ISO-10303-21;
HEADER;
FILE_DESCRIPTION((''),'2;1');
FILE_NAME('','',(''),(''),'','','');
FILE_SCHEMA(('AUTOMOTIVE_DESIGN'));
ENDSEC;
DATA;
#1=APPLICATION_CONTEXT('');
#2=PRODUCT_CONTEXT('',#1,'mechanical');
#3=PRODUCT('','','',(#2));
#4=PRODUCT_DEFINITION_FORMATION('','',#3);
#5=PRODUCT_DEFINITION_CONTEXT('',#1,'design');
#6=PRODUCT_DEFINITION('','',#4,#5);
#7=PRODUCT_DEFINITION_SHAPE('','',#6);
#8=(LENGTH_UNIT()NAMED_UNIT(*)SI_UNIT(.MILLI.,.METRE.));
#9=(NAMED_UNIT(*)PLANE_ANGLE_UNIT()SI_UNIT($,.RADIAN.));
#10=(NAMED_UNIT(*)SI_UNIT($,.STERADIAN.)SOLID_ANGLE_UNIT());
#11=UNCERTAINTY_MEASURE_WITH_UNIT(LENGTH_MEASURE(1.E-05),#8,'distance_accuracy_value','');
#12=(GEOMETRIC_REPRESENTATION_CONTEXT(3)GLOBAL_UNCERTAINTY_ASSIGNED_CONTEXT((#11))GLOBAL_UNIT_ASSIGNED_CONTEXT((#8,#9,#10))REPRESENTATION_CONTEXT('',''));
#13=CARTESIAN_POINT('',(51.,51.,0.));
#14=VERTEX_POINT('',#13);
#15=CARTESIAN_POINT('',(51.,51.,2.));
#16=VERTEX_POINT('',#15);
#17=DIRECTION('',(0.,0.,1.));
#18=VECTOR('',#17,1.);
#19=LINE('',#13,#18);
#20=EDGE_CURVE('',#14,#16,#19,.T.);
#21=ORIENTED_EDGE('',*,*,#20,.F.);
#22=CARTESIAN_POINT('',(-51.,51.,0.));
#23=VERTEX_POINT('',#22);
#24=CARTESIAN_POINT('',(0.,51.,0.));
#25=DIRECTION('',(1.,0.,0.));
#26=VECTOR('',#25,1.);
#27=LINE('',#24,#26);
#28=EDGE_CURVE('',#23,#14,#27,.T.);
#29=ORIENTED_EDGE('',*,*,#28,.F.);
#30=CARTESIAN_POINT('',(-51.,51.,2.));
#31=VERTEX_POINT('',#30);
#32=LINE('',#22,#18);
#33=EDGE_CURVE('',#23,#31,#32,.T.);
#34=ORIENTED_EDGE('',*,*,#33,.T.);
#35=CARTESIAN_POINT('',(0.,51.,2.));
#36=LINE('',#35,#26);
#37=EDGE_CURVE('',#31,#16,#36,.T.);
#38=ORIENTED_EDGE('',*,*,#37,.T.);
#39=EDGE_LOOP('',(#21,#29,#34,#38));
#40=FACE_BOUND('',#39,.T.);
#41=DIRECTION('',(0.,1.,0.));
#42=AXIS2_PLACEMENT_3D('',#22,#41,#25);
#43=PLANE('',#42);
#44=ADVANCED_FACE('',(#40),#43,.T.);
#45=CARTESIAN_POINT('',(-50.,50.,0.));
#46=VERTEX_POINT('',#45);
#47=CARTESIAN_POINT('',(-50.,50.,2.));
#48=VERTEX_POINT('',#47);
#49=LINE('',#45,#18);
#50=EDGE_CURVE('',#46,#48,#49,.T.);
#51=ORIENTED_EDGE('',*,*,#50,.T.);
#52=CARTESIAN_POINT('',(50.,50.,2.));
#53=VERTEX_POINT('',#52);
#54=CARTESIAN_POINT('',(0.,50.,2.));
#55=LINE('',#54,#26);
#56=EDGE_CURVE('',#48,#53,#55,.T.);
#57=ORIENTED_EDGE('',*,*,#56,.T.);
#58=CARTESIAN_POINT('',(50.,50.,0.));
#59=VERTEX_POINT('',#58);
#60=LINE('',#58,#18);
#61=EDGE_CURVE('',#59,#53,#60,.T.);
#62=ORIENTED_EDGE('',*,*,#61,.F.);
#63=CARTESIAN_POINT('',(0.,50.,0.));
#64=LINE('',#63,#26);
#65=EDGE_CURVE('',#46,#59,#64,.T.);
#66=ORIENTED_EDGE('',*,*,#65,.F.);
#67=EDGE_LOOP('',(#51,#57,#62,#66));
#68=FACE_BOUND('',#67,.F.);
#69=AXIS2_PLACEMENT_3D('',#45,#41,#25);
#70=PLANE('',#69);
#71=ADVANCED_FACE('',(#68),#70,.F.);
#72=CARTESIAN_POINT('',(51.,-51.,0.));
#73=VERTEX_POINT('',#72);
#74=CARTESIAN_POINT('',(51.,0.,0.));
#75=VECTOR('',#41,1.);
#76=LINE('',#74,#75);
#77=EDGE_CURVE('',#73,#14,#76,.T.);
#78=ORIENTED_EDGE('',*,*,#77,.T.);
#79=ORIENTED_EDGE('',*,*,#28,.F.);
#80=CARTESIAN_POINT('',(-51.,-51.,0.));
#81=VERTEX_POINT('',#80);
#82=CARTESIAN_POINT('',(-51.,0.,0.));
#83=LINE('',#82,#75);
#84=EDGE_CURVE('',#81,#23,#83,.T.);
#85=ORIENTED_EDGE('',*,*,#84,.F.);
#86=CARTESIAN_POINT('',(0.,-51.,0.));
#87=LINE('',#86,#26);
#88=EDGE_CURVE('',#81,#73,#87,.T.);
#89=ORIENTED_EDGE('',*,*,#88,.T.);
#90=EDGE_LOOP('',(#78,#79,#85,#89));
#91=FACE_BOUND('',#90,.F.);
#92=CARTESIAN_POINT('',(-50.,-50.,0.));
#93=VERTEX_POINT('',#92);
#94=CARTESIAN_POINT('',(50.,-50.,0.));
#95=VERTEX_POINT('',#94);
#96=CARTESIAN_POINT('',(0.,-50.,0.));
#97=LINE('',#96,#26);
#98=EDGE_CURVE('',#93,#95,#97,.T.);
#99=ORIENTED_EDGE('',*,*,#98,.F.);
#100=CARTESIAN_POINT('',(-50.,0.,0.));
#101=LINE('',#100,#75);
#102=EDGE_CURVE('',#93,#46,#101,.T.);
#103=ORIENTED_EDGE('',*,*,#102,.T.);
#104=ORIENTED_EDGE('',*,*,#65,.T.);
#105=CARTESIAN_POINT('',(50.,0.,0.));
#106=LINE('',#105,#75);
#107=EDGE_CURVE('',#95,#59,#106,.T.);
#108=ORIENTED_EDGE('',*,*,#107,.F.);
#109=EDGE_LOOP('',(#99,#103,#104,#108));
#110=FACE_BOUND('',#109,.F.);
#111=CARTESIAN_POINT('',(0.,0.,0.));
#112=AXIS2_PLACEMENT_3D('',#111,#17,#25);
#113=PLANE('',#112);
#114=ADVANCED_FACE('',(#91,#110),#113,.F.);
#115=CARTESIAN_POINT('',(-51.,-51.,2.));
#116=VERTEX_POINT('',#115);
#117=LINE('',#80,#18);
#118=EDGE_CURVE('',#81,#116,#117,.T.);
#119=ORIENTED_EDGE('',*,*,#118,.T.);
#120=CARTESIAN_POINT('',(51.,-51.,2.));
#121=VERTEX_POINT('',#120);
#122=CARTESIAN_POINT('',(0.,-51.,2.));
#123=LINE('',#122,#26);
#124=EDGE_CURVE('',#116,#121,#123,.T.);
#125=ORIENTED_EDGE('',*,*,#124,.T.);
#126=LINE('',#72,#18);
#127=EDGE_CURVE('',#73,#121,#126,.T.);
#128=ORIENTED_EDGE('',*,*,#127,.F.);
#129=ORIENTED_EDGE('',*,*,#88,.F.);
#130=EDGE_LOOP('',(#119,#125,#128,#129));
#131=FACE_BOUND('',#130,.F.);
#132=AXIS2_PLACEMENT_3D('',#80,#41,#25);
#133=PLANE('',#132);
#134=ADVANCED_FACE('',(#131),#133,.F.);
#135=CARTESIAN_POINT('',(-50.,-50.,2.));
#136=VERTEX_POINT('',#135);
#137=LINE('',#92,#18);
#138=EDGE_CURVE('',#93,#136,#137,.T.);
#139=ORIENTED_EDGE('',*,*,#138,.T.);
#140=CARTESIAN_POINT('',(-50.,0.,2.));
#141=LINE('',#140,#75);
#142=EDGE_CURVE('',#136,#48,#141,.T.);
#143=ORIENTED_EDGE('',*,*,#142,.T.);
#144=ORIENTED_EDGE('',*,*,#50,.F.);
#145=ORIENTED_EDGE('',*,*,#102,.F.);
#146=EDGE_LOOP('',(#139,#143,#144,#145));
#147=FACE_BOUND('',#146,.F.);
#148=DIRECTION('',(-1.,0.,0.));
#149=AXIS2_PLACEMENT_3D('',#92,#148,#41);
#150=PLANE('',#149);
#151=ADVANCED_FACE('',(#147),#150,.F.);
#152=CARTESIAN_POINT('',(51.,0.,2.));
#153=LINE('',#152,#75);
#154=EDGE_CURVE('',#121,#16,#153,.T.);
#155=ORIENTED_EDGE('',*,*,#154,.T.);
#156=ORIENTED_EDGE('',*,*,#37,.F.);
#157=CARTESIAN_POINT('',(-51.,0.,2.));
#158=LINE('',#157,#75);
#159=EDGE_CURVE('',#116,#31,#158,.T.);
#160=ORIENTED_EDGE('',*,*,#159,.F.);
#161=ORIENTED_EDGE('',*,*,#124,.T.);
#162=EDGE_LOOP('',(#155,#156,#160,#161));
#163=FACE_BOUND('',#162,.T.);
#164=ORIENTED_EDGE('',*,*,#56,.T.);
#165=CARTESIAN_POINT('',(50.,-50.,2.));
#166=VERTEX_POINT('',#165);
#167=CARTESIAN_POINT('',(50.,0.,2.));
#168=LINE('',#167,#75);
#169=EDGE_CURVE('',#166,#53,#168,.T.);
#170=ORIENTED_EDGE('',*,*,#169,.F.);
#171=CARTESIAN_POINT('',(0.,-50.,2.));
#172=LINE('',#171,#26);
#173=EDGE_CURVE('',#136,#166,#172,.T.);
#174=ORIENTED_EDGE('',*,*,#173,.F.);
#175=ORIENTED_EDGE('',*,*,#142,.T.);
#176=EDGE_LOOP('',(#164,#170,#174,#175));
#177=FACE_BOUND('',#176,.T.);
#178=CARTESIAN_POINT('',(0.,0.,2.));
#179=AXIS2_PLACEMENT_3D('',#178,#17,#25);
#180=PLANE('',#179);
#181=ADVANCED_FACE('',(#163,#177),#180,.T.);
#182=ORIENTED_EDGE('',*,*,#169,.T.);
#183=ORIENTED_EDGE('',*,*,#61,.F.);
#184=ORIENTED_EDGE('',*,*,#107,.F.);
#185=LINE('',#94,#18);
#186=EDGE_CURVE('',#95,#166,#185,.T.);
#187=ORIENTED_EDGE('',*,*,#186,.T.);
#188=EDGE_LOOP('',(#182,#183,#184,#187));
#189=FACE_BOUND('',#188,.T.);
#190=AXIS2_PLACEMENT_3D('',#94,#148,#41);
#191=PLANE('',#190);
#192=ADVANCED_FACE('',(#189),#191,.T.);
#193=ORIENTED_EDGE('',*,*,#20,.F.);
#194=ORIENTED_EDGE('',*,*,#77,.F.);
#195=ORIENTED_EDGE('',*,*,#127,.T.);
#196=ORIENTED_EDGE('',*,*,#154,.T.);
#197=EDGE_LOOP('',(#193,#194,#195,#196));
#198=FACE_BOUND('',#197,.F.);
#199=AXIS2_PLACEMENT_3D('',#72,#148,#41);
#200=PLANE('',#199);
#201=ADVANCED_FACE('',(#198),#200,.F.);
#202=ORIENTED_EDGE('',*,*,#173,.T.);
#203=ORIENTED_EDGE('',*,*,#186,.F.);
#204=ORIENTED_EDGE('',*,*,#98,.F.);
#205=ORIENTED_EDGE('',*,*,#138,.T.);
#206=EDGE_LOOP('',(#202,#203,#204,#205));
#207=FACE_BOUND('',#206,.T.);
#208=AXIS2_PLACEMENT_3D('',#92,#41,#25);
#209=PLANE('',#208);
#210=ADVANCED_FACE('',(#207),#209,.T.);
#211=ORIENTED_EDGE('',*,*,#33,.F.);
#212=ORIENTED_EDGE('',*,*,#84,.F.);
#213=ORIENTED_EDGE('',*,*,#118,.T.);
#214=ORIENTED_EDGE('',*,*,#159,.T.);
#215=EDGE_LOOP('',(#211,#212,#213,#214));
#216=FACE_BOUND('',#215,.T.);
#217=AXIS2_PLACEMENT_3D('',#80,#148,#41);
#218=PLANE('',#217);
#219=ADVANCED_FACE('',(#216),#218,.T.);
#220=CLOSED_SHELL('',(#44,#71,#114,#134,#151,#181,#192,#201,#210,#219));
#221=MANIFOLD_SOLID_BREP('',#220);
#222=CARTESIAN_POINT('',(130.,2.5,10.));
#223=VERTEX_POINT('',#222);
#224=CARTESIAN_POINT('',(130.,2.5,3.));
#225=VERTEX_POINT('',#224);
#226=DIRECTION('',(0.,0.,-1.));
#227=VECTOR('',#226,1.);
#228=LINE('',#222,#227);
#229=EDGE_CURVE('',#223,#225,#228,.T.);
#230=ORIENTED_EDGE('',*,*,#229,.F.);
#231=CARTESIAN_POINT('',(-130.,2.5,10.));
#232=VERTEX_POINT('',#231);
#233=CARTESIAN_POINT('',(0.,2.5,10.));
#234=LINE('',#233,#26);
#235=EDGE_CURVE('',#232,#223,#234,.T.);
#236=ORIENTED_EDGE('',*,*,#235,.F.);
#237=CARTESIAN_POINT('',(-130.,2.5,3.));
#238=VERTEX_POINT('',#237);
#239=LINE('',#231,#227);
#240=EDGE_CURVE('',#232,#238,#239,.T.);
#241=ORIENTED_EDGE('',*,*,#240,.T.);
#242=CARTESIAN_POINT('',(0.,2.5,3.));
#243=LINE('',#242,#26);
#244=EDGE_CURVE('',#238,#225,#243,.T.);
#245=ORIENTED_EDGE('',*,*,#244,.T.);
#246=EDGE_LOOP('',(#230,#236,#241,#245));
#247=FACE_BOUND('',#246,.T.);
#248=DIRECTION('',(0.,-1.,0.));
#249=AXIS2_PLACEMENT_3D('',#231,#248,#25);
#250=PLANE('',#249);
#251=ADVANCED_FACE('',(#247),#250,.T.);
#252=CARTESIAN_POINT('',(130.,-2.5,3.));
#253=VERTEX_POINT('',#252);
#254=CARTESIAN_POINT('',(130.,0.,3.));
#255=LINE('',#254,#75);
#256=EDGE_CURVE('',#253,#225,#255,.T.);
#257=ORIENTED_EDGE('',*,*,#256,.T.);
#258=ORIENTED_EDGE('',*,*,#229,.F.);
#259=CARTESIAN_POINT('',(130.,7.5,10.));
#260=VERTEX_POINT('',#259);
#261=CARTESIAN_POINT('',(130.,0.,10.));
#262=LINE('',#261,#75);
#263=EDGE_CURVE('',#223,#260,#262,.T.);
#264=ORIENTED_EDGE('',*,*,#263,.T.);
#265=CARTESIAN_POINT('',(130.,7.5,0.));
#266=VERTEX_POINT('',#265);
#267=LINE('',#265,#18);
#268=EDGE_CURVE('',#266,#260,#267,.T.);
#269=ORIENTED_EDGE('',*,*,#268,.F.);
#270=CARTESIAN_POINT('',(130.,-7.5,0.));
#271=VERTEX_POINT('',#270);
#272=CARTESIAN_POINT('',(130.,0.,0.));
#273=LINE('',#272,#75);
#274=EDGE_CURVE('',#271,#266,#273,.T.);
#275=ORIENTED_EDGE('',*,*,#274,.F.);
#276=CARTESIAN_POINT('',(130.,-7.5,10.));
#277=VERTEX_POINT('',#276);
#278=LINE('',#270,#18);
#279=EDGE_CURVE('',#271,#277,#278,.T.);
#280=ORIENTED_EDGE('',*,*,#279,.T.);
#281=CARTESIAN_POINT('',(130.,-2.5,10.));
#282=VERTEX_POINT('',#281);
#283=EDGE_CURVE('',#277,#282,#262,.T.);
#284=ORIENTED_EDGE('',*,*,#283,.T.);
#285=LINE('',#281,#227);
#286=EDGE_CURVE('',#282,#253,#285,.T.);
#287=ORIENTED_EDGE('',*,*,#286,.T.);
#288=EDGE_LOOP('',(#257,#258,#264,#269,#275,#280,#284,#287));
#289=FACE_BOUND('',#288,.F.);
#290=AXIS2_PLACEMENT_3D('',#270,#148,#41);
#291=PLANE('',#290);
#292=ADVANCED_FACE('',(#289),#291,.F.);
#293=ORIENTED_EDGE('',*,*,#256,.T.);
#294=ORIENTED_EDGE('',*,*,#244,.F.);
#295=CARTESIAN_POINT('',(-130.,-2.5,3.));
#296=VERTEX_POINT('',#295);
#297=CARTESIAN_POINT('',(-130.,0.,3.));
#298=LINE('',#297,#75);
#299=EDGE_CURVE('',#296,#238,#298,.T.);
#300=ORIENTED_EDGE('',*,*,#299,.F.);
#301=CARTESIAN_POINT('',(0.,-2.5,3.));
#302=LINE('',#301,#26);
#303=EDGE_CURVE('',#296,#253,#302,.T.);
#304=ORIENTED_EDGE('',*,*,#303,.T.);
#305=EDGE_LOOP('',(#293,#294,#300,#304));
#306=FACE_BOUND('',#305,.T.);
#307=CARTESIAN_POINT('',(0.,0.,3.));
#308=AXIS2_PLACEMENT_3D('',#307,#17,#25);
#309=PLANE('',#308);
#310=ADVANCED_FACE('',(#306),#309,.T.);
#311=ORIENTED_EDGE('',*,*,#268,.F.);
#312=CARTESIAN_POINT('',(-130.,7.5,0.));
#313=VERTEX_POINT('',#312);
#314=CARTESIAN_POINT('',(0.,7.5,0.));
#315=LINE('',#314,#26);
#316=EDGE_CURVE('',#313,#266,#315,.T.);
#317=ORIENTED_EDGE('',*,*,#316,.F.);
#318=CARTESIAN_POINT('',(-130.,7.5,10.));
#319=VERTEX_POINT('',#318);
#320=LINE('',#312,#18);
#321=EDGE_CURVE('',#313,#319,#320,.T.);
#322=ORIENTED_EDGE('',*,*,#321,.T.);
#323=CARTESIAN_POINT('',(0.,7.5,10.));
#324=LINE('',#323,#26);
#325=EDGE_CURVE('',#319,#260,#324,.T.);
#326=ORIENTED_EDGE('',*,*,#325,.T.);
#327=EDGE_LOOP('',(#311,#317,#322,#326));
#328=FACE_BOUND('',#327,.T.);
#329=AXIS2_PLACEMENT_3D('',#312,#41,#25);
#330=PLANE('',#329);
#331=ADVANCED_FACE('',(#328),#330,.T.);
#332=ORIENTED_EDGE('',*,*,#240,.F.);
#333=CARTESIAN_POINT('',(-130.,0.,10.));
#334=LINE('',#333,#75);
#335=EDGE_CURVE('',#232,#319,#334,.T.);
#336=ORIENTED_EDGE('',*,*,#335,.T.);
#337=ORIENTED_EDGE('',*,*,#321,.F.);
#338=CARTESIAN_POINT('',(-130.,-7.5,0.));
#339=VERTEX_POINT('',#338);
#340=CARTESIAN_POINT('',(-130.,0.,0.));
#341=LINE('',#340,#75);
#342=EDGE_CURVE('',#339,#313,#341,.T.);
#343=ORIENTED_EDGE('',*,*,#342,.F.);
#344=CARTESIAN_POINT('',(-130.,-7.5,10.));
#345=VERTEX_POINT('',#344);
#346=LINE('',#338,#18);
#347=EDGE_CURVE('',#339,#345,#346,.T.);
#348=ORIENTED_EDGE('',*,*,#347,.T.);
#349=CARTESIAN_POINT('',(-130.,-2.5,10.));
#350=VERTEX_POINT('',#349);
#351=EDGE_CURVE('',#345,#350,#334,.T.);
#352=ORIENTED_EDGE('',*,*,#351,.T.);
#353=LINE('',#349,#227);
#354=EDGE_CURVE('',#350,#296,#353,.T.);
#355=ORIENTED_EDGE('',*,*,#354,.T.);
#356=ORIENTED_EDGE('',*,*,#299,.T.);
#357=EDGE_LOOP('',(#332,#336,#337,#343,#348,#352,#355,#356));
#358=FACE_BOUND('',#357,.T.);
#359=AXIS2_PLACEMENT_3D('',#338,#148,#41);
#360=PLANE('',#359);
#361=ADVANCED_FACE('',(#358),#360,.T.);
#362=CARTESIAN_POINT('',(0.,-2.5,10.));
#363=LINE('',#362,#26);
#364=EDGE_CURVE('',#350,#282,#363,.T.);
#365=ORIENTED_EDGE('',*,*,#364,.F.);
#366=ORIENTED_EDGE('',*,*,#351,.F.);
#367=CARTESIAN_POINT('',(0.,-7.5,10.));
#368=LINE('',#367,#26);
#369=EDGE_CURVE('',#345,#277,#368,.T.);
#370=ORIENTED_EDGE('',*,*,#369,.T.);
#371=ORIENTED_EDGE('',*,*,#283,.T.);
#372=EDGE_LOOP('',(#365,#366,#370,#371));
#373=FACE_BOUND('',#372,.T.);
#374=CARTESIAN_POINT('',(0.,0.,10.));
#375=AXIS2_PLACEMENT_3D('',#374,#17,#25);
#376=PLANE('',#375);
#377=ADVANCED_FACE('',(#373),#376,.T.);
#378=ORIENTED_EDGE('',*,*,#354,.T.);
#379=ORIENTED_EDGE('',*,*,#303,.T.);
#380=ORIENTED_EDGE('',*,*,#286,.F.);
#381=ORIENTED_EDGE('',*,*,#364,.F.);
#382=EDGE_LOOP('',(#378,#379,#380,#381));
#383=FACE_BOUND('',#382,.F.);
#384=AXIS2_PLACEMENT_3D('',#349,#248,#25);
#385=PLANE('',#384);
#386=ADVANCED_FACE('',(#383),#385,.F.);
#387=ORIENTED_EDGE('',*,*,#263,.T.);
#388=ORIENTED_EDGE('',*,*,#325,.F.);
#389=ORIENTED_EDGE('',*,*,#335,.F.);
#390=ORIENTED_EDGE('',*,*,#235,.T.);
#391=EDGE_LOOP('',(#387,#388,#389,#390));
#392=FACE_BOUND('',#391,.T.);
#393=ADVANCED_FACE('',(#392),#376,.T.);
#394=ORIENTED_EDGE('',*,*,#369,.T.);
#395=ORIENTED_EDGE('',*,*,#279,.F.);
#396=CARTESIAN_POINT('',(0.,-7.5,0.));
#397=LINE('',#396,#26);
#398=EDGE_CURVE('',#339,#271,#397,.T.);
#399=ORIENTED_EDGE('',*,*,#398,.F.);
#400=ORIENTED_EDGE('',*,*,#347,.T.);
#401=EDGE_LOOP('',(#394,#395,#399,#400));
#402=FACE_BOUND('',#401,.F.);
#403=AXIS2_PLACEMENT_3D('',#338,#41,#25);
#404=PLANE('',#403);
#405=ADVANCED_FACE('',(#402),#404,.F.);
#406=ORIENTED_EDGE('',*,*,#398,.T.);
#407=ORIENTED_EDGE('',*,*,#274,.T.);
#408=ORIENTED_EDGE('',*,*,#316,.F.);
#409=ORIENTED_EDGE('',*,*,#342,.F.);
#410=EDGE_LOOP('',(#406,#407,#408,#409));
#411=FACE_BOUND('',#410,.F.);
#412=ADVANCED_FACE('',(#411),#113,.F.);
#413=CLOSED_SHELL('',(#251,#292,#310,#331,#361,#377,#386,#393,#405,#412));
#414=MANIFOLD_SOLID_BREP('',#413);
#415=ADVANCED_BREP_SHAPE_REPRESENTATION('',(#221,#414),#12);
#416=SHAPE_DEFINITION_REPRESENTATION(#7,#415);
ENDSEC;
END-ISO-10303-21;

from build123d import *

# Parameters (mm, degrees)
F0_W     = 102
F0_H     = 102
F0_W_2   = 100
F0_H_2   = 100
F1_DEPTH = 2
F2_W     = 260
F2_H     = 15
F3_DEPTH = 10
F4_W     = 260
F4_H     = 5
F5_DEPTH = 7


with BuildPart() as f1:
    # F0 (on Top) → F1 (new body)
    with BuildSketch(Plane.XY):
        Rectangle(F0_W, F0_H)
        Rectangle(F0_W_2, F0_H_2, mode=Mode.SUBTRACT)
    extrude(amount=F1_DEPTH)


with BuildPart() as f3:
    # F2 (on Top) → F3 (new body)
    with BuildSketch(Plane.XY):
        Rectangle(F2_W, F2_H)
    extrude(amount=F3_DEPTH)

    # F4 (on face) → F5 (cut)
    with BuildSketch(Plane.XY.offset(10)):
        Rectangle(F4_W, F4_H)
    extrude(amount=-F5_DEPTH, mode=Mode.SUBTRACT)


solid = Compound([f1.part, f3.part])
